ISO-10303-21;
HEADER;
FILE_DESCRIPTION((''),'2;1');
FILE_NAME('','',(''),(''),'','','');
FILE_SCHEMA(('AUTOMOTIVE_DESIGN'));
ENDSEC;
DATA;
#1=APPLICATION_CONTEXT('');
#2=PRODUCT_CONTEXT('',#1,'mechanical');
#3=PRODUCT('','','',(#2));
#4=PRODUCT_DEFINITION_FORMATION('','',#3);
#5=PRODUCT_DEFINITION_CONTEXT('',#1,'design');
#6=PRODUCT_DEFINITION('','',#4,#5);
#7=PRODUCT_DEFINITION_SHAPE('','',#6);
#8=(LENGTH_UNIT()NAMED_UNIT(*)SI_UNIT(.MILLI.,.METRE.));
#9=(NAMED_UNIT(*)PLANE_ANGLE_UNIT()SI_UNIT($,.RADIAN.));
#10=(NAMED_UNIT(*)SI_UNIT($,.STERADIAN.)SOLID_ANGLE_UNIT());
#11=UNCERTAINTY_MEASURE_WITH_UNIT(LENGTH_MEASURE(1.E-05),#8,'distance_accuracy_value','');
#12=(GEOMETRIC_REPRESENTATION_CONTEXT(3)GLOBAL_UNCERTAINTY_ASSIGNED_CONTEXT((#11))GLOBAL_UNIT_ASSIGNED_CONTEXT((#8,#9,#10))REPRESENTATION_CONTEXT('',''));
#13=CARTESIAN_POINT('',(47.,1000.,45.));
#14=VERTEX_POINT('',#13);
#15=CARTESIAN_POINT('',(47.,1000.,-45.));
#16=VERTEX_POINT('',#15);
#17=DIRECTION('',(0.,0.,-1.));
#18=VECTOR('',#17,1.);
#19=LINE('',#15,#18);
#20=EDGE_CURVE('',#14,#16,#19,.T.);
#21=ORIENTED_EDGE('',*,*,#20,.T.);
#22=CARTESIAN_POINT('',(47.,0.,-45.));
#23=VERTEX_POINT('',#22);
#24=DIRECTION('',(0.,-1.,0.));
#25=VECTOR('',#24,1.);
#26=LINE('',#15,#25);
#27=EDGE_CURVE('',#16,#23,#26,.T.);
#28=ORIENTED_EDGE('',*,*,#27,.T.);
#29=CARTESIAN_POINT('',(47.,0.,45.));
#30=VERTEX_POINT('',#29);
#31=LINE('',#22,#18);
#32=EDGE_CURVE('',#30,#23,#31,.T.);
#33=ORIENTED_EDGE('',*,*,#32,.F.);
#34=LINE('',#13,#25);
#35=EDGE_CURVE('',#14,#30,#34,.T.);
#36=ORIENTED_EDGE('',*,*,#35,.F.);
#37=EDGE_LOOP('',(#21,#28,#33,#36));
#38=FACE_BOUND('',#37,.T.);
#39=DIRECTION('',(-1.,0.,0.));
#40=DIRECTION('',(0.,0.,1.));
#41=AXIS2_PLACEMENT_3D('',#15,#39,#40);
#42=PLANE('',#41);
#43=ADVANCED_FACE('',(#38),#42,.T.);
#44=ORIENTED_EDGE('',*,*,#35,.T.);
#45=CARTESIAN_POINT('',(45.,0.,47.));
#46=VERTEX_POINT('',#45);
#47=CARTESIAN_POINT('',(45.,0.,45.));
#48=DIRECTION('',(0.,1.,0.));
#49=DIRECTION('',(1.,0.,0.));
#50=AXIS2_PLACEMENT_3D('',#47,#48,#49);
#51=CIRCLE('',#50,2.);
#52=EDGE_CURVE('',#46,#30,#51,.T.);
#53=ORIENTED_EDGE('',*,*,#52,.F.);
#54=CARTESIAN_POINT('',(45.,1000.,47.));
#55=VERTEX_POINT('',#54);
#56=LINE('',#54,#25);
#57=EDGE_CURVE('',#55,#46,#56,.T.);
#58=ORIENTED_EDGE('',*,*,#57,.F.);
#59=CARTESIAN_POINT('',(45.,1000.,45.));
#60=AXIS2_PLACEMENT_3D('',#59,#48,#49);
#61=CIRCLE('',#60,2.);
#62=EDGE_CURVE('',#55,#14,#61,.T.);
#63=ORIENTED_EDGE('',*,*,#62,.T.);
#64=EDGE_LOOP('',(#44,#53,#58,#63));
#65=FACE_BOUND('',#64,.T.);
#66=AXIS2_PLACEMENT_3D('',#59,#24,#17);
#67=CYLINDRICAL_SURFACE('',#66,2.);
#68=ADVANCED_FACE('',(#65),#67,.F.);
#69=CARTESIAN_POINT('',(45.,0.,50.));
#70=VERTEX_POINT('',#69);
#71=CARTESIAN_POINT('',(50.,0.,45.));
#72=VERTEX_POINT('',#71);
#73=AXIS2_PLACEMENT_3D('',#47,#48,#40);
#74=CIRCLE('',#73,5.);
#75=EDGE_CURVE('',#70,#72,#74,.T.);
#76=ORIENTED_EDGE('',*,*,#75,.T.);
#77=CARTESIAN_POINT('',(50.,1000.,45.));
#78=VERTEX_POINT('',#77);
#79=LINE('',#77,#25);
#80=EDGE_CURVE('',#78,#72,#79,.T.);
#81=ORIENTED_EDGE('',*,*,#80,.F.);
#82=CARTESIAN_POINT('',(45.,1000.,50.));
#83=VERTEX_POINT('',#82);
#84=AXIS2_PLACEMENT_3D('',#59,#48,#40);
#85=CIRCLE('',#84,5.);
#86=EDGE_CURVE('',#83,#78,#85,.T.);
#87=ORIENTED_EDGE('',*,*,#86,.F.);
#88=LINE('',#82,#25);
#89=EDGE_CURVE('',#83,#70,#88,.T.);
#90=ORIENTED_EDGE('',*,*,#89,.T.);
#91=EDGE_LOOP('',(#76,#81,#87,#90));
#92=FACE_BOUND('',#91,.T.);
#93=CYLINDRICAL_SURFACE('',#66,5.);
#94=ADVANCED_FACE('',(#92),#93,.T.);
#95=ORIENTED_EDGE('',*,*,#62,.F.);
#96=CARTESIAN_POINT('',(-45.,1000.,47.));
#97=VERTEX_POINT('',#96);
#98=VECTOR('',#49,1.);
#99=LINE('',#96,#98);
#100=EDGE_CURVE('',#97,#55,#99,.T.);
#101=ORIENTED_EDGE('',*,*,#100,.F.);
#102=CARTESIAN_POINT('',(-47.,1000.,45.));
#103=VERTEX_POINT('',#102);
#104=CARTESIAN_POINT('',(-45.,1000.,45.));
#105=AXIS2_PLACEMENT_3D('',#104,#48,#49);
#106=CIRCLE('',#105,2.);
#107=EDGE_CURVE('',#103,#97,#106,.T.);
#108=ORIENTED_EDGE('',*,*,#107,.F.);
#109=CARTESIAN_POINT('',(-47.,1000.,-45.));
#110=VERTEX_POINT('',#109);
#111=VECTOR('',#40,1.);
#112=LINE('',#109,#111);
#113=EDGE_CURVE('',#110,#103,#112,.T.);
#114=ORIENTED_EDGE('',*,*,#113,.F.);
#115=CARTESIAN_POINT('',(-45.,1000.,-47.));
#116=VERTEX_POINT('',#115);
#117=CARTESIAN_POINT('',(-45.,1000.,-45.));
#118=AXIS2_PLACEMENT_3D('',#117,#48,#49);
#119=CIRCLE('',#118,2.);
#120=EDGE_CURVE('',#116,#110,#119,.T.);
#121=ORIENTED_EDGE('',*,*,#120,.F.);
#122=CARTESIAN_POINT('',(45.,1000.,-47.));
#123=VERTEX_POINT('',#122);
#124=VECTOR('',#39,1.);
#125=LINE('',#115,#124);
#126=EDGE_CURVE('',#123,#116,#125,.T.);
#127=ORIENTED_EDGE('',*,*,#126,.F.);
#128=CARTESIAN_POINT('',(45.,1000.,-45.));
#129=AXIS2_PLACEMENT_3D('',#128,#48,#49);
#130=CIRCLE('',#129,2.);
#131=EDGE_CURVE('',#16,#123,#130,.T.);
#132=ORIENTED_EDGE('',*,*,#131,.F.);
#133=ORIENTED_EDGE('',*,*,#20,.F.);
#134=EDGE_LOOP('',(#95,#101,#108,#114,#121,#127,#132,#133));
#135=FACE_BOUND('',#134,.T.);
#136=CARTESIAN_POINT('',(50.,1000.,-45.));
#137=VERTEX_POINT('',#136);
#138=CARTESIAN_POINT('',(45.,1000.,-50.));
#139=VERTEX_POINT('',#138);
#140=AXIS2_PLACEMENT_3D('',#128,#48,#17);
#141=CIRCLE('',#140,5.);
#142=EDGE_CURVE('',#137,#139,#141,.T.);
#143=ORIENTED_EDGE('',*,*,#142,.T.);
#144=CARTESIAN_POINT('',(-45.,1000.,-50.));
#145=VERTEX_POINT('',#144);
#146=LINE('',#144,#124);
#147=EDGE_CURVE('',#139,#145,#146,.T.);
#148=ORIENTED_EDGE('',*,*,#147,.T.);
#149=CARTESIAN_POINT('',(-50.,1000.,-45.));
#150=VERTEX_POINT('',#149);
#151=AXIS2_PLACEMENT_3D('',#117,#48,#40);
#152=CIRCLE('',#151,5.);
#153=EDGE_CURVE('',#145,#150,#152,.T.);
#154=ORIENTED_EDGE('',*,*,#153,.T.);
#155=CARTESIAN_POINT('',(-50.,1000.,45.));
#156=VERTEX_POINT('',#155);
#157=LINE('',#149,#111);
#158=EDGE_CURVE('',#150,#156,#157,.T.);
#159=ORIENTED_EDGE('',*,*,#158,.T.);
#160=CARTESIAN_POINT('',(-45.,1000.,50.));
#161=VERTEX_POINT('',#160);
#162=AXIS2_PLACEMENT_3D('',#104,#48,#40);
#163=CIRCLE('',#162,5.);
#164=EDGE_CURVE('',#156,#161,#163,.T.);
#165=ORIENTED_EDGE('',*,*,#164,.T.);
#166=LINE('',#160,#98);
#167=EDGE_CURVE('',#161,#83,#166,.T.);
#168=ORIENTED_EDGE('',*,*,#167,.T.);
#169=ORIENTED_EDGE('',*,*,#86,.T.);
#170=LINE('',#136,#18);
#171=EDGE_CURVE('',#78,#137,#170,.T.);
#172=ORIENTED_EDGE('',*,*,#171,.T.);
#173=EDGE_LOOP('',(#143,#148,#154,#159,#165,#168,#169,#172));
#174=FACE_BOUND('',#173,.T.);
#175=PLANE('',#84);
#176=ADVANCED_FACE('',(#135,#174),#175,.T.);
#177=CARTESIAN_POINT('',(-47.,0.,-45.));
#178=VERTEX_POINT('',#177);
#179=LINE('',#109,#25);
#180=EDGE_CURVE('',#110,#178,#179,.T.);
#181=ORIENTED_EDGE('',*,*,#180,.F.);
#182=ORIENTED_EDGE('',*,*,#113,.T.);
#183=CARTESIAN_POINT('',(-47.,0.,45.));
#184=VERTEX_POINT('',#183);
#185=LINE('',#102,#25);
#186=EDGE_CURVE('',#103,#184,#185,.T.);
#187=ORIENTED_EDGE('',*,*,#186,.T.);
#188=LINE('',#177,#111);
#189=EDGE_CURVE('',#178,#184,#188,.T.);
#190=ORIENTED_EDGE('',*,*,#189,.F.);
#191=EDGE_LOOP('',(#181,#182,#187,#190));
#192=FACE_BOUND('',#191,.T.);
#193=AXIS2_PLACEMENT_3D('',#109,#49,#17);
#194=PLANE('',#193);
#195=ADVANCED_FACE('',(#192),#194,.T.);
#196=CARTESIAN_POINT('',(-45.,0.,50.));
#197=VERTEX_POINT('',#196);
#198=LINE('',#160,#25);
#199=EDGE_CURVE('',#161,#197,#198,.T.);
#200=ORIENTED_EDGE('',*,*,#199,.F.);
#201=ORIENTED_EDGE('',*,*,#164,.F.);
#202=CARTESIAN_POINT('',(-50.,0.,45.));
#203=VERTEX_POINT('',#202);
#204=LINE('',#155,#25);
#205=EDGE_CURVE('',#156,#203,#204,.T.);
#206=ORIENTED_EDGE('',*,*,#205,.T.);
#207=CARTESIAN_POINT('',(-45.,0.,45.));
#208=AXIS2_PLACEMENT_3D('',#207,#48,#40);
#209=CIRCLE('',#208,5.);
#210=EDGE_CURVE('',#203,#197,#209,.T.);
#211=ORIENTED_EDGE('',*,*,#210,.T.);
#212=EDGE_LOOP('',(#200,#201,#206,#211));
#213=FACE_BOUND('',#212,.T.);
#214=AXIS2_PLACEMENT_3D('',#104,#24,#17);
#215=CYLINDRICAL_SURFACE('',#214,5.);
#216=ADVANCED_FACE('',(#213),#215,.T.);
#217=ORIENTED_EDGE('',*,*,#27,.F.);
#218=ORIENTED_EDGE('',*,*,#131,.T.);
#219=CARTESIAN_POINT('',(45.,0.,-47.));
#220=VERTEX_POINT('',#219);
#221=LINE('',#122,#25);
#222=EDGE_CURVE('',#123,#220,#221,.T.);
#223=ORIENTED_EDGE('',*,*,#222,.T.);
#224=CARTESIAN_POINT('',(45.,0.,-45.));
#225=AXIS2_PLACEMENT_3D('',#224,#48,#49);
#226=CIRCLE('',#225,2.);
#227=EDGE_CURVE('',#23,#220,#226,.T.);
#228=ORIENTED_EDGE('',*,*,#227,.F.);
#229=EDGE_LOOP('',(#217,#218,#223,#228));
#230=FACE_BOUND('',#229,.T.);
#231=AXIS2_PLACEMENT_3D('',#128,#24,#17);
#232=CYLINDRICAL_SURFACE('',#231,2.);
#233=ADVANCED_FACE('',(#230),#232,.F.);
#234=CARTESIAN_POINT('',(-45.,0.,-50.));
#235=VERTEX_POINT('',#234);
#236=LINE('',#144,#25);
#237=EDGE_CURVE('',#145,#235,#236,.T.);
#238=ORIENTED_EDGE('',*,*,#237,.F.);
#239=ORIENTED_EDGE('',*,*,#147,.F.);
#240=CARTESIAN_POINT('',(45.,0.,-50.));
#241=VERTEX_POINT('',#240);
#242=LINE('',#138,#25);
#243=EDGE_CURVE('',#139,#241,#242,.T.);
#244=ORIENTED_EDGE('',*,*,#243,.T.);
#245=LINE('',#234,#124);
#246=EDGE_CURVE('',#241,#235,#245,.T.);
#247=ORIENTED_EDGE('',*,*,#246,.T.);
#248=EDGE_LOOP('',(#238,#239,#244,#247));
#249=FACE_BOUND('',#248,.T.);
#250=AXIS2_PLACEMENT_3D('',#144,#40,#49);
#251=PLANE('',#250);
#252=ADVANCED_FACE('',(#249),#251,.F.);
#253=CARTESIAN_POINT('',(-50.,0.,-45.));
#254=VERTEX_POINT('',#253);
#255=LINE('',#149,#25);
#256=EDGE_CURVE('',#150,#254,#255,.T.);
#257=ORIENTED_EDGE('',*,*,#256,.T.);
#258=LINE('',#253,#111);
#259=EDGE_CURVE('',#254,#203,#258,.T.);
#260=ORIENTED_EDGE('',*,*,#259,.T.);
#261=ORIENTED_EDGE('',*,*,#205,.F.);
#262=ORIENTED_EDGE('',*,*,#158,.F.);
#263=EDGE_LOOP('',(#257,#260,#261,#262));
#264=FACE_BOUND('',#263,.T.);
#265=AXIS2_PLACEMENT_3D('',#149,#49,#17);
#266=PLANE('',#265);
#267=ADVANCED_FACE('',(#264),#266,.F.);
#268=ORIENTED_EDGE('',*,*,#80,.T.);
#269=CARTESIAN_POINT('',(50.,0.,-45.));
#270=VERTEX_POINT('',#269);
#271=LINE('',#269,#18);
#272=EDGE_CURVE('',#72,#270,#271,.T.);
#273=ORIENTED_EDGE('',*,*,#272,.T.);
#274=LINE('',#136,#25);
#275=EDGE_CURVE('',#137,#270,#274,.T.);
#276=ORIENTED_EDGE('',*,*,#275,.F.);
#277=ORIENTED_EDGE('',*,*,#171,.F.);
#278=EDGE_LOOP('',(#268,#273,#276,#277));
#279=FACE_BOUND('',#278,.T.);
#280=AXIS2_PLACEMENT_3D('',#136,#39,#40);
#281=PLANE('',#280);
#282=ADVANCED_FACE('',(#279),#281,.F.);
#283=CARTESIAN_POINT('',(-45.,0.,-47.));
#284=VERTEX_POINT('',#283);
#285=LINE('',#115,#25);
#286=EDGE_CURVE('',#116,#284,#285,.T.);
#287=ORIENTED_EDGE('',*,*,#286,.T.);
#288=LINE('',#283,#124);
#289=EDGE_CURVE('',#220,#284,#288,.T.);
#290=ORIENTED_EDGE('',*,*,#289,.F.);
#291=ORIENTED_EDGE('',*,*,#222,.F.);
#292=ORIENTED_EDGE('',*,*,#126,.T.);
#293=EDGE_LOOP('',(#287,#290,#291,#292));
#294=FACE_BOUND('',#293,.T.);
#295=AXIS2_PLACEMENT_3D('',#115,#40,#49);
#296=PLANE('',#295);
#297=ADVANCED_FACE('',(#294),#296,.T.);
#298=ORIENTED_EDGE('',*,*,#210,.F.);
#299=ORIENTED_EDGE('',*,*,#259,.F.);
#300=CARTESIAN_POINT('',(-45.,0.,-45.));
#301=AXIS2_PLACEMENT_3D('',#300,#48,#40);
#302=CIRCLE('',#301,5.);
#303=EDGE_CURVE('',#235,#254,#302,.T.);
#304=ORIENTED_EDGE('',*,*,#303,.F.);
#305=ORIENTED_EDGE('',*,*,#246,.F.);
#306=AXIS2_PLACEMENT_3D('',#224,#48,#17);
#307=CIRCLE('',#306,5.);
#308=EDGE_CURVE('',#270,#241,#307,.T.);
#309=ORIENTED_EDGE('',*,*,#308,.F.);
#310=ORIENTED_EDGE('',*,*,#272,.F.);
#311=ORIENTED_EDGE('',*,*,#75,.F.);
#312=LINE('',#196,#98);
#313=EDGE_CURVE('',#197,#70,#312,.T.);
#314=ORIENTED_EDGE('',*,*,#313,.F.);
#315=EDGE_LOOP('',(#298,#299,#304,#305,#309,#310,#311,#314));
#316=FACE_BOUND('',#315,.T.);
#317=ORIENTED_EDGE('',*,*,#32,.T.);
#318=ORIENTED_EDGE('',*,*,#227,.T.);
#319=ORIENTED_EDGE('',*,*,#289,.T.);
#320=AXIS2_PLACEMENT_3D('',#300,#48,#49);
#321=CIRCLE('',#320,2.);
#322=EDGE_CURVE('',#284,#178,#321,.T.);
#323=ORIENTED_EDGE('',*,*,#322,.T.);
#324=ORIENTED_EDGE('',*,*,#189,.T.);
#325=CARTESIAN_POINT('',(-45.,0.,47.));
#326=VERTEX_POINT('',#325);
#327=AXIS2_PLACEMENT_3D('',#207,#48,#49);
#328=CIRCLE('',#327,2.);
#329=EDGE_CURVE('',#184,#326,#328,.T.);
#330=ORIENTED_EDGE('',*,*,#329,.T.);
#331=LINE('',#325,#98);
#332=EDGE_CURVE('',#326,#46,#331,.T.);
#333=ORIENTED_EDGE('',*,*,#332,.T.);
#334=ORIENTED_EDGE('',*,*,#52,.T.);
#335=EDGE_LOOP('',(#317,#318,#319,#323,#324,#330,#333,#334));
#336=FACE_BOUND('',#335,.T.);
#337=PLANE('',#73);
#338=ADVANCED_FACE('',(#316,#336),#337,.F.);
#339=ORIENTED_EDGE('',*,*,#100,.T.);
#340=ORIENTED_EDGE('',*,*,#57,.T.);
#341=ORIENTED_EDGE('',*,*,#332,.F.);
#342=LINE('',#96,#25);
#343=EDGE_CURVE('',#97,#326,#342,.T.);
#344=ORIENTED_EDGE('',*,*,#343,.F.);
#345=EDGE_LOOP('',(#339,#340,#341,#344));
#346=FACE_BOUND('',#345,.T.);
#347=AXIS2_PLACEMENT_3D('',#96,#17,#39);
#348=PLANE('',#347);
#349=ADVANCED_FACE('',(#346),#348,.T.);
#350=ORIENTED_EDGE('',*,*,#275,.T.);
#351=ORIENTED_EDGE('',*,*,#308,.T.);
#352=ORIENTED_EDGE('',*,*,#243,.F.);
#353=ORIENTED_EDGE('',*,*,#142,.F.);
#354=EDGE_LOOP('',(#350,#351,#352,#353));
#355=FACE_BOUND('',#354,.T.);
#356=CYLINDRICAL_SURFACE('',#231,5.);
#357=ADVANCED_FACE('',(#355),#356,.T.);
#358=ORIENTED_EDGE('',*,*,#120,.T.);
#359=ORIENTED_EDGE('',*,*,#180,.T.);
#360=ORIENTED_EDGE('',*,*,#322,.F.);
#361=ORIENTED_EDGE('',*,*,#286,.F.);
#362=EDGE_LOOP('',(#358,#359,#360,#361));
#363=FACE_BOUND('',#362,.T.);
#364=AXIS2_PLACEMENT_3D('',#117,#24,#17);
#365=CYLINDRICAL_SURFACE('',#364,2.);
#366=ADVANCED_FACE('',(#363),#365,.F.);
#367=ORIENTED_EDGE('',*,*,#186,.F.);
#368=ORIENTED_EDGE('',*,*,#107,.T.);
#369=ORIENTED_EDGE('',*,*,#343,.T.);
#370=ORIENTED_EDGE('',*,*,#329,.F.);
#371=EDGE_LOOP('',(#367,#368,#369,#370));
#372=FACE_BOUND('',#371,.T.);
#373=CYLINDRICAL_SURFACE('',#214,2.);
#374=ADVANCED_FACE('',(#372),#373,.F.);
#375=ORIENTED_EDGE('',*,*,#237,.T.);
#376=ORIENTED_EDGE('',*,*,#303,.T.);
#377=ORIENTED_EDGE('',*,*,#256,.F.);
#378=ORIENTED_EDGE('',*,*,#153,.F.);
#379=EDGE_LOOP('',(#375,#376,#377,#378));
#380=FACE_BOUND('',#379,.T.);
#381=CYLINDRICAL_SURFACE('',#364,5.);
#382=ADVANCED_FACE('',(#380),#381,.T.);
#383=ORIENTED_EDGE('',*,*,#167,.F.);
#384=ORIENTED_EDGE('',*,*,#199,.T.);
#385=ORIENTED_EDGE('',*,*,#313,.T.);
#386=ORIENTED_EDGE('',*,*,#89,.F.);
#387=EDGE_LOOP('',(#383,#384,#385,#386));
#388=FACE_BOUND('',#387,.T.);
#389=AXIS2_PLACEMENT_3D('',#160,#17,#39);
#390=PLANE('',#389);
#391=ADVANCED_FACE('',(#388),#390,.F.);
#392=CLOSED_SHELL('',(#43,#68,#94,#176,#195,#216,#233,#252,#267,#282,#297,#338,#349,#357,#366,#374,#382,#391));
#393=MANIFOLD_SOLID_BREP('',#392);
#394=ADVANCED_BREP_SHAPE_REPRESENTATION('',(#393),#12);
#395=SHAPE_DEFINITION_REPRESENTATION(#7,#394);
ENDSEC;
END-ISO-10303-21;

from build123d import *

# Parameters (mm, degrees)
EXTRUDE_1_DEPTH = 1000


with BuildPart() as part:
    # Эскиз1 → Вытянуть-Тонкостенный1 (new body)
    with BuildSketch(Plane(origin=(0, 0, 0), x_dir=(1, 0, 0), z_dir=(0, 1, 0))):
        with BuildLine():
            Line((-50, -45), (-50, 45))
            ThreePointArc((-50, 45), (-48.535533906, 48.535533906), (-45, 50))
            Line((-45, 50), (45, 50))
            ThreePointArc((45, 50), (48.535533906, 48.535533906), (50, 45))
            Line((50, 45), (50, -45))
            ThreePointArc((50, -45), (48.535533906, -48.535533906), (45, -50))
            Line((45, -50), (-45, -50))
            ThreePointArc((-45, -50), (-48.535533906, -48.535533906), (-50, -45))
        make_face()
        with BuildLine():
            Line((-47, -45), (-47, 45))
            ThreePointArc((-47, 45), (-46.414213562, 46.414213562), (-45, 47))
            Line((-45, 47), (45, 47))
            ThreePointArc((45, 47), (46.414213562, 46.414213562), (47, 45))
            Line((47, 45), (47, -45))
            ThreePointArc((47, -45), (46.414213562, -46.414213562), (45, -47))
            Line((45, -47), (-45, -47))
            ThreePointArc((-45, -47), (-46.414213562, -46.414213562), (-47, -45))
        make_face(mode=Mode.SUBTRACT)
    extrude(amount=EXTRUDE_1_DEPTH)


solid = part.part
